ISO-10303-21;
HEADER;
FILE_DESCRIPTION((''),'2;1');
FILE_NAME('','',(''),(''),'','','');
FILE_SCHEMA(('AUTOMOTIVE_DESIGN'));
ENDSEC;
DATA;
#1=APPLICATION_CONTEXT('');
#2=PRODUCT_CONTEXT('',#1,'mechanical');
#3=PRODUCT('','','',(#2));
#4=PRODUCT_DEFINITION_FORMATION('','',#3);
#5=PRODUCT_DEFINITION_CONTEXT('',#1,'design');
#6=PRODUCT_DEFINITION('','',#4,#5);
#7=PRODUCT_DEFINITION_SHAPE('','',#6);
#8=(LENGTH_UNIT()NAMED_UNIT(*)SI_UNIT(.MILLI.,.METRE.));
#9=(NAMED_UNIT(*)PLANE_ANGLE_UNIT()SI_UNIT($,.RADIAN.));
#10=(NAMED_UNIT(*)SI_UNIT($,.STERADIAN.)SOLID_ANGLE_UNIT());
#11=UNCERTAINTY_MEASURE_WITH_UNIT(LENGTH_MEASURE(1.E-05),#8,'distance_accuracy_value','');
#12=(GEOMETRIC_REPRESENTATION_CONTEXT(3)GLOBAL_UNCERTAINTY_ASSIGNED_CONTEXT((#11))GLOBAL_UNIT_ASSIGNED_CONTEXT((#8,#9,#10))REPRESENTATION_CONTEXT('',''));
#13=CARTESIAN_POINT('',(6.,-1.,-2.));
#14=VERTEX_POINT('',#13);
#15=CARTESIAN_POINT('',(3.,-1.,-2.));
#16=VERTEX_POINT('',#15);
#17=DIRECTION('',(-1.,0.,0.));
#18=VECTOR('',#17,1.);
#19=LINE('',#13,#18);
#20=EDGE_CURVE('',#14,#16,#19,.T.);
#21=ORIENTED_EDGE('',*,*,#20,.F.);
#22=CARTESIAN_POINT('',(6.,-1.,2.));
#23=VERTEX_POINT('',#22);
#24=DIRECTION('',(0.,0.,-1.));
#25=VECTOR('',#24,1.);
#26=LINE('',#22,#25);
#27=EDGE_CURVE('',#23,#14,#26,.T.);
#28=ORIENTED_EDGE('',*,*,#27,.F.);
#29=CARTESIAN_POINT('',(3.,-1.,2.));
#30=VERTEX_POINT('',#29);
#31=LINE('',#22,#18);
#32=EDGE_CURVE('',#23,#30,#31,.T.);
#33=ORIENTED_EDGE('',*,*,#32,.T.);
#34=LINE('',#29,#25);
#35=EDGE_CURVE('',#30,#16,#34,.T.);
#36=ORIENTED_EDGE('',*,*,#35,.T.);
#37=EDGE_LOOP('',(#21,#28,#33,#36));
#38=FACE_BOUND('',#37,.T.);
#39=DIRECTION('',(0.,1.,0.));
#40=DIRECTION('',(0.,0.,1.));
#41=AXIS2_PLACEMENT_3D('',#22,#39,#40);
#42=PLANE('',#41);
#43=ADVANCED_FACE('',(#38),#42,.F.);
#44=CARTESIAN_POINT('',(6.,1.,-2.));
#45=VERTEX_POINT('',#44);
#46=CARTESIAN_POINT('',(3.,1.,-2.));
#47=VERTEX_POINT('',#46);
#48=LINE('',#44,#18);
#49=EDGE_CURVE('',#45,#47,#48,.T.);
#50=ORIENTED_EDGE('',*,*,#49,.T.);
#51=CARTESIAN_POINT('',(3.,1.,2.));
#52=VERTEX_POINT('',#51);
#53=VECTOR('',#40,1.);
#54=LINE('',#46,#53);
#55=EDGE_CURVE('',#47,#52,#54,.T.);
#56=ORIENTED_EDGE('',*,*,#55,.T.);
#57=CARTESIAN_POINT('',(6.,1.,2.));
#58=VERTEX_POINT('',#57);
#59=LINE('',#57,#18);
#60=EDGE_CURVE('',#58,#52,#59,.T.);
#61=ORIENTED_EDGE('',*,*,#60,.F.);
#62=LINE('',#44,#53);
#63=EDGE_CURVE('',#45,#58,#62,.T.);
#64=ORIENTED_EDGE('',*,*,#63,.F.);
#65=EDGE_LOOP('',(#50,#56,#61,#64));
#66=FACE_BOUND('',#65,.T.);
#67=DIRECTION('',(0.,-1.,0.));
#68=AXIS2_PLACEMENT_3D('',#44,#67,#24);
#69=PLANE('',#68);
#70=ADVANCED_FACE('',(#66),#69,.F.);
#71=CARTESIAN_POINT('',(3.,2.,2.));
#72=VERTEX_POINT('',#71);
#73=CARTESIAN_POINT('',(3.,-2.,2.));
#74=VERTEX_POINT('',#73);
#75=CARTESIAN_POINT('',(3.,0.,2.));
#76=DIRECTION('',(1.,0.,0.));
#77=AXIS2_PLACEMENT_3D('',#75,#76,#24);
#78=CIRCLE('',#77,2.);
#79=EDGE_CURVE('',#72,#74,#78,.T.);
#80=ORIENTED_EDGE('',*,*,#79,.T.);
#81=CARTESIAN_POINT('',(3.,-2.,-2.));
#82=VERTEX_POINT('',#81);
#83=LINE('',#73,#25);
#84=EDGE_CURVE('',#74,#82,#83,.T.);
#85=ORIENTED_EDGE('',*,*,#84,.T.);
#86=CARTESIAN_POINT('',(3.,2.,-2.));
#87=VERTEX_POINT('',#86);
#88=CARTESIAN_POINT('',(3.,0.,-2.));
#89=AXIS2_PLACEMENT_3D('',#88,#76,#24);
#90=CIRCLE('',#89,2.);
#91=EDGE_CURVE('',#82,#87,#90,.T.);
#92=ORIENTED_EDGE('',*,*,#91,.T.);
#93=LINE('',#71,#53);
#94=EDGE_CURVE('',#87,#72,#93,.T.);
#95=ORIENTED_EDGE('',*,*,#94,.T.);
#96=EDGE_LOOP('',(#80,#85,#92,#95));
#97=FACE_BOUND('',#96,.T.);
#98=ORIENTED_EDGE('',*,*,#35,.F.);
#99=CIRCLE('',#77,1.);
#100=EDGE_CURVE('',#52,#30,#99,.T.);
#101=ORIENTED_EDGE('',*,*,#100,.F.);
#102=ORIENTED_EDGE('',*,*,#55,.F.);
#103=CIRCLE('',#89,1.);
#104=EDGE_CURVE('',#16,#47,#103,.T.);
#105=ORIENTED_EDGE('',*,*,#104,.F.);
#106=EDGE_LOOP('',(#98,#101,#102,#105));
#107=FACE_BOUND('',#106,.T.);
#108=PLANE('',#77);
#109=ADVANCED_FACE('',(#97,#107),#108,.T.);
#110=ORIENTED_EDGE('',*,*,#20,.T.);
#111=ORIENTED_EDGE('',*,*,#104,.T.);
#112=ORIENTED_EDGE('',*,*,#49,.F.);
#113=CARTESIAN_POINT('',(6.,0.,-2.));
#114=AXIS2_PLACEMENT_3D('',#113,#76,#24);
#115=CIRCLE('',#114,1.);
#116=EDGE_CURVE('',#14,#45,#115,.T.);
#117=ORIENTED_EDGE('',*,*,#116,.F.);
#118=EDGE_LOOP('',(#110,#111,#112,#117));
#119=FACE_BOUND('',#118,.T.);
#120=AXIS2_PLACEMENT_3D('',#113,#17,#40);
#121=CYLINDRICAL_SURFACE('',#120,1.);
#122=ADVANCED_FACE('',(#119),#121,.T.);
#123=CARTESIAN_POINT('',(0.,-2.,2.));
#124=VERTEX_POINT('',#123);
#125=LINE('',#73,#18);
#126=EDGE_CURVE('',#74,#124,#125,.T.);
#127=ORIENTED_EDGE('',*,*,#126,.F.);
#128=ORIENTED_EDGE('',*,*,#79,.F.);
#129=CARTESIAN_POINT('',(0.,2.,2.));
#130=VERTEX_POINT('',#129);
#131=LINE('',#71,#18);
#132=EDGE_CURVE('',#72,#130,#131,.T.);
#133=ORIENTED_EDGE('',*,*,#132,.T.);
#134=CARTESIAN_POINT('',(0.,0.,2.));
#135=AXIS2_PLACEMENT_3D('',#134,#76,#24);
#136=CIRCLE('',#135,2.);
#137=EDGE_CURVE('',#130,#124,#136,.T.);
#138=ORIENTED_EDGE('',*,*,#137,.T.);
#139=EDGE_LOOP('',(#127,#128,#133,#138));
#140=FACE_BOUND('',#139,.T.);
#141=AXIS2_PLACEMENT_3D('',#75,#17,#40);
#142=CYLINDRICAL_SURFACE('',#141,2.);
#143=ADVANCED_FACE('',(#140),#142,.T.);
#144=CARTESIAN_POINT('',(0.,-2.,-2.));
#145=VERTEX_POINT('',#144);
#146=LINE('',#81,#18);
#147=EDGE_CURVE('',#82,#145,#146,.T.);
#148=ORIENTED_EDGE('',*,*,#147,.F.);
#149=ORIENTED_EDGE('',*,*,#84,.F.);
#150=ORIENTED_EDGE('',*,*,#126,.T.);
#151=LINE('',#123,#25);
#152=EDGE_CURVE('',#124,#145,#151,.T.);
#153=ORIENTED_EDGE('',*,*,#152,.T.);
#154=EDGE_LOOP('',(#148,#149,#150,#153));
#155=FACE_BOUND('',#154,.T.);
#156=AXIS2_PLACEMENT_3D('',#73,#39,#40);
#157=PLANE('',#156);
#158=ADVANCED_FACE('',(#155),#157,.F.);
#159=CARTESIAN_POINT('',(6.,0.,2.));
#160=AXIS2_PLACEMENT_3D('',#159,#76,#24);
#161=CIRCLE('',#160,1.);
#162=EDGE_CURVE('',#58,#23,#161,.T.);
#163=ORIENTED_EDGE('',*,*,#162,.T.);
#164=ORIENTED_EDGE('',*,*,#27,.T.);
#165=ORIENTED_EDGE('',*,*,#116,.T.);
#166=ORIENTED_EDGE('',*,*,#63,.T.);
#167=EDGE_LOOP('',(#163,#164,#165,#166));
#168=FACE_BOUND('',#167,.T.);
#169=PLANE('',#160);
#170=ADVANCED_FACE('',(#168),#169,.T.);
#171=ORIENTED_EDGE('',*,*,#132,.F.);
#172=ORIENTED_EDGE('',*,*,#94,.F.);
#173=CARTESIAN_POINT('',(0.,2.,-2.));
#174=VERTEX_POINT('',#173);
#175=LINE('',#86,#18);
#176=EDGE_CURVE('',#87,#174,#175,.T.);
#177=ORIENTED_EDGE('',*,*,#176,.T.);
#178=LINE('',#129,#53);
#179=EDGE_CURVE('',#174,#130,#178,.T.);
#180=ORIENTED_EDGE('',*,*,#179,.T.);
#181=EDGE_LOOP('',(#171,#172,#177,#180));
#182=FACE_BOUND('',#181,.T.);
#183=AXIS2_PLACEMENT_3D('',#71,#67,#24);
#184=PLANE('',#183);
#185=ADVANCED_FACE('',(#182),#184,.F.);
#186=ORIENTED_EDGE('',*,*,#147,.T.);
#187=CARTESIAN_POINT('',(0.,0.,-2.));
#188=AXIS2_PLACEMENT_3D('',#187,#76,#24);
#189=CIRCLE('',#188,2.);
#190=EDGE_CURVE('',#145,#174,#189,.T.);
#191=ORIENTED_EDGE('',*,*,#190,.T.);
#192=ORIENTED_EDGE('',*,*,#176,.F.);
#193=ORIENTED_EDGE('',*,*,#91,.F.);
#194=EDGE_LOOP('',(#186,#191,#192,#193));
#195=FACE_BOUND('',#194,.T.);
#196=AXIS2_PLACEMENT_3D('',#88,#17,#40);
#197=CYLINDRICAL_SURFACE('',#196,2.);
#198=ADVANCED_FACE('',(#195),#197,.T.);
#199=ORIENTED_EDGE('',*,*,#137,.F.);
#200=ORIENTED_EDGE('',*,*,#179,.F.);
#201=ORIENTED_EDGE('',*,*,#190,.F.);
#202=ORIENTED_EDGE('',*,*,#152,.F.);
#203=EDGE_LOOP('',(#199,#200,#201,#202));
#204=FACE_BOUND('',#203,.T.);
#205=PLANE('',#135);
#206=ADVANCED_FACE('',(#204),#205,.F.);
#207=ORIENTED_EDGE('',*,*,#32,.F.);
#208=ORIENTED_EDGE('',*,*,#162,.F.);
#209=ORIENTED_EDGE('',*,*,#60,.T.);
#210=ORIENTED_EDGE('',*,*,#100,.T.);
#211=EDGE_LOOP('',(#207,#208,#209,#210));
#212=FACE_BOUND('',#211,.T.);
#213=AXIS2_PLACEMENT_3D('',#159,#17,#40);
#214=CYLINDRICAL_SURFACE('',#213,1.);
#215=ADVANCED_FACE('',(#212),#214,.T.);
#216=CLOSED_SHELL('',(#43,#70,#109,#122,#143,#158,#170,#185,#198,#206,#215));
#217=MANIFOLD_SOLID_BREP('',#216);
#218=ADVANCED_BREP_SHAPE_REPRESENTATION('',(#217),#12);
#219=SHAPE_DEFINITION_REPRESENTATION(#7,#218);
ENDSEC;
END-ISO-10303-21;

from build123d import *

# Parameters (mm, degrees)
EXTRUDE_1_DEPTH = 3
EXTRUDE_2_DEPTH = 3


with BuildPart() as part:
    # 草图1 → 凸台-拉伸1 (new body)
    with BuildSketch(Plane(origin=(0, 0, 0), x_dir=(0, 0, -1), z_dir=(1, 0, 0))):
        with BuildLine():
            Line((-2, 2), (2, 2))
            ThreePointArc((2, 2), (4, 0), (2, -2))
            Line((2, -2), (-2, -2))
            ThreePointArc((-2, -2), (-4, 0), (-2, 2))
        make_face()
    extrude(amount=EXTRUDE_1_DEPTH)

    # 草图2 → 凸台-拉伸2 (add)
    with BuildSketch(Plane(origin=(3, 0, 0), x_dir=(0, 0, -1), z_dir=(1, 0, 0))):
        with BuildLine():
            Line((-2, -1), (2, -1))
            ThreePointArc((2, -1), (3, 0), (2, 1))
            Line((2, 1), (-2, 1))
            ThreePointArc((-2, 1), (-3, 0), (-2, -1))
        make_face()
    extrude(amount=EXTRUDE_2_DEPTH)


solid = part.part
